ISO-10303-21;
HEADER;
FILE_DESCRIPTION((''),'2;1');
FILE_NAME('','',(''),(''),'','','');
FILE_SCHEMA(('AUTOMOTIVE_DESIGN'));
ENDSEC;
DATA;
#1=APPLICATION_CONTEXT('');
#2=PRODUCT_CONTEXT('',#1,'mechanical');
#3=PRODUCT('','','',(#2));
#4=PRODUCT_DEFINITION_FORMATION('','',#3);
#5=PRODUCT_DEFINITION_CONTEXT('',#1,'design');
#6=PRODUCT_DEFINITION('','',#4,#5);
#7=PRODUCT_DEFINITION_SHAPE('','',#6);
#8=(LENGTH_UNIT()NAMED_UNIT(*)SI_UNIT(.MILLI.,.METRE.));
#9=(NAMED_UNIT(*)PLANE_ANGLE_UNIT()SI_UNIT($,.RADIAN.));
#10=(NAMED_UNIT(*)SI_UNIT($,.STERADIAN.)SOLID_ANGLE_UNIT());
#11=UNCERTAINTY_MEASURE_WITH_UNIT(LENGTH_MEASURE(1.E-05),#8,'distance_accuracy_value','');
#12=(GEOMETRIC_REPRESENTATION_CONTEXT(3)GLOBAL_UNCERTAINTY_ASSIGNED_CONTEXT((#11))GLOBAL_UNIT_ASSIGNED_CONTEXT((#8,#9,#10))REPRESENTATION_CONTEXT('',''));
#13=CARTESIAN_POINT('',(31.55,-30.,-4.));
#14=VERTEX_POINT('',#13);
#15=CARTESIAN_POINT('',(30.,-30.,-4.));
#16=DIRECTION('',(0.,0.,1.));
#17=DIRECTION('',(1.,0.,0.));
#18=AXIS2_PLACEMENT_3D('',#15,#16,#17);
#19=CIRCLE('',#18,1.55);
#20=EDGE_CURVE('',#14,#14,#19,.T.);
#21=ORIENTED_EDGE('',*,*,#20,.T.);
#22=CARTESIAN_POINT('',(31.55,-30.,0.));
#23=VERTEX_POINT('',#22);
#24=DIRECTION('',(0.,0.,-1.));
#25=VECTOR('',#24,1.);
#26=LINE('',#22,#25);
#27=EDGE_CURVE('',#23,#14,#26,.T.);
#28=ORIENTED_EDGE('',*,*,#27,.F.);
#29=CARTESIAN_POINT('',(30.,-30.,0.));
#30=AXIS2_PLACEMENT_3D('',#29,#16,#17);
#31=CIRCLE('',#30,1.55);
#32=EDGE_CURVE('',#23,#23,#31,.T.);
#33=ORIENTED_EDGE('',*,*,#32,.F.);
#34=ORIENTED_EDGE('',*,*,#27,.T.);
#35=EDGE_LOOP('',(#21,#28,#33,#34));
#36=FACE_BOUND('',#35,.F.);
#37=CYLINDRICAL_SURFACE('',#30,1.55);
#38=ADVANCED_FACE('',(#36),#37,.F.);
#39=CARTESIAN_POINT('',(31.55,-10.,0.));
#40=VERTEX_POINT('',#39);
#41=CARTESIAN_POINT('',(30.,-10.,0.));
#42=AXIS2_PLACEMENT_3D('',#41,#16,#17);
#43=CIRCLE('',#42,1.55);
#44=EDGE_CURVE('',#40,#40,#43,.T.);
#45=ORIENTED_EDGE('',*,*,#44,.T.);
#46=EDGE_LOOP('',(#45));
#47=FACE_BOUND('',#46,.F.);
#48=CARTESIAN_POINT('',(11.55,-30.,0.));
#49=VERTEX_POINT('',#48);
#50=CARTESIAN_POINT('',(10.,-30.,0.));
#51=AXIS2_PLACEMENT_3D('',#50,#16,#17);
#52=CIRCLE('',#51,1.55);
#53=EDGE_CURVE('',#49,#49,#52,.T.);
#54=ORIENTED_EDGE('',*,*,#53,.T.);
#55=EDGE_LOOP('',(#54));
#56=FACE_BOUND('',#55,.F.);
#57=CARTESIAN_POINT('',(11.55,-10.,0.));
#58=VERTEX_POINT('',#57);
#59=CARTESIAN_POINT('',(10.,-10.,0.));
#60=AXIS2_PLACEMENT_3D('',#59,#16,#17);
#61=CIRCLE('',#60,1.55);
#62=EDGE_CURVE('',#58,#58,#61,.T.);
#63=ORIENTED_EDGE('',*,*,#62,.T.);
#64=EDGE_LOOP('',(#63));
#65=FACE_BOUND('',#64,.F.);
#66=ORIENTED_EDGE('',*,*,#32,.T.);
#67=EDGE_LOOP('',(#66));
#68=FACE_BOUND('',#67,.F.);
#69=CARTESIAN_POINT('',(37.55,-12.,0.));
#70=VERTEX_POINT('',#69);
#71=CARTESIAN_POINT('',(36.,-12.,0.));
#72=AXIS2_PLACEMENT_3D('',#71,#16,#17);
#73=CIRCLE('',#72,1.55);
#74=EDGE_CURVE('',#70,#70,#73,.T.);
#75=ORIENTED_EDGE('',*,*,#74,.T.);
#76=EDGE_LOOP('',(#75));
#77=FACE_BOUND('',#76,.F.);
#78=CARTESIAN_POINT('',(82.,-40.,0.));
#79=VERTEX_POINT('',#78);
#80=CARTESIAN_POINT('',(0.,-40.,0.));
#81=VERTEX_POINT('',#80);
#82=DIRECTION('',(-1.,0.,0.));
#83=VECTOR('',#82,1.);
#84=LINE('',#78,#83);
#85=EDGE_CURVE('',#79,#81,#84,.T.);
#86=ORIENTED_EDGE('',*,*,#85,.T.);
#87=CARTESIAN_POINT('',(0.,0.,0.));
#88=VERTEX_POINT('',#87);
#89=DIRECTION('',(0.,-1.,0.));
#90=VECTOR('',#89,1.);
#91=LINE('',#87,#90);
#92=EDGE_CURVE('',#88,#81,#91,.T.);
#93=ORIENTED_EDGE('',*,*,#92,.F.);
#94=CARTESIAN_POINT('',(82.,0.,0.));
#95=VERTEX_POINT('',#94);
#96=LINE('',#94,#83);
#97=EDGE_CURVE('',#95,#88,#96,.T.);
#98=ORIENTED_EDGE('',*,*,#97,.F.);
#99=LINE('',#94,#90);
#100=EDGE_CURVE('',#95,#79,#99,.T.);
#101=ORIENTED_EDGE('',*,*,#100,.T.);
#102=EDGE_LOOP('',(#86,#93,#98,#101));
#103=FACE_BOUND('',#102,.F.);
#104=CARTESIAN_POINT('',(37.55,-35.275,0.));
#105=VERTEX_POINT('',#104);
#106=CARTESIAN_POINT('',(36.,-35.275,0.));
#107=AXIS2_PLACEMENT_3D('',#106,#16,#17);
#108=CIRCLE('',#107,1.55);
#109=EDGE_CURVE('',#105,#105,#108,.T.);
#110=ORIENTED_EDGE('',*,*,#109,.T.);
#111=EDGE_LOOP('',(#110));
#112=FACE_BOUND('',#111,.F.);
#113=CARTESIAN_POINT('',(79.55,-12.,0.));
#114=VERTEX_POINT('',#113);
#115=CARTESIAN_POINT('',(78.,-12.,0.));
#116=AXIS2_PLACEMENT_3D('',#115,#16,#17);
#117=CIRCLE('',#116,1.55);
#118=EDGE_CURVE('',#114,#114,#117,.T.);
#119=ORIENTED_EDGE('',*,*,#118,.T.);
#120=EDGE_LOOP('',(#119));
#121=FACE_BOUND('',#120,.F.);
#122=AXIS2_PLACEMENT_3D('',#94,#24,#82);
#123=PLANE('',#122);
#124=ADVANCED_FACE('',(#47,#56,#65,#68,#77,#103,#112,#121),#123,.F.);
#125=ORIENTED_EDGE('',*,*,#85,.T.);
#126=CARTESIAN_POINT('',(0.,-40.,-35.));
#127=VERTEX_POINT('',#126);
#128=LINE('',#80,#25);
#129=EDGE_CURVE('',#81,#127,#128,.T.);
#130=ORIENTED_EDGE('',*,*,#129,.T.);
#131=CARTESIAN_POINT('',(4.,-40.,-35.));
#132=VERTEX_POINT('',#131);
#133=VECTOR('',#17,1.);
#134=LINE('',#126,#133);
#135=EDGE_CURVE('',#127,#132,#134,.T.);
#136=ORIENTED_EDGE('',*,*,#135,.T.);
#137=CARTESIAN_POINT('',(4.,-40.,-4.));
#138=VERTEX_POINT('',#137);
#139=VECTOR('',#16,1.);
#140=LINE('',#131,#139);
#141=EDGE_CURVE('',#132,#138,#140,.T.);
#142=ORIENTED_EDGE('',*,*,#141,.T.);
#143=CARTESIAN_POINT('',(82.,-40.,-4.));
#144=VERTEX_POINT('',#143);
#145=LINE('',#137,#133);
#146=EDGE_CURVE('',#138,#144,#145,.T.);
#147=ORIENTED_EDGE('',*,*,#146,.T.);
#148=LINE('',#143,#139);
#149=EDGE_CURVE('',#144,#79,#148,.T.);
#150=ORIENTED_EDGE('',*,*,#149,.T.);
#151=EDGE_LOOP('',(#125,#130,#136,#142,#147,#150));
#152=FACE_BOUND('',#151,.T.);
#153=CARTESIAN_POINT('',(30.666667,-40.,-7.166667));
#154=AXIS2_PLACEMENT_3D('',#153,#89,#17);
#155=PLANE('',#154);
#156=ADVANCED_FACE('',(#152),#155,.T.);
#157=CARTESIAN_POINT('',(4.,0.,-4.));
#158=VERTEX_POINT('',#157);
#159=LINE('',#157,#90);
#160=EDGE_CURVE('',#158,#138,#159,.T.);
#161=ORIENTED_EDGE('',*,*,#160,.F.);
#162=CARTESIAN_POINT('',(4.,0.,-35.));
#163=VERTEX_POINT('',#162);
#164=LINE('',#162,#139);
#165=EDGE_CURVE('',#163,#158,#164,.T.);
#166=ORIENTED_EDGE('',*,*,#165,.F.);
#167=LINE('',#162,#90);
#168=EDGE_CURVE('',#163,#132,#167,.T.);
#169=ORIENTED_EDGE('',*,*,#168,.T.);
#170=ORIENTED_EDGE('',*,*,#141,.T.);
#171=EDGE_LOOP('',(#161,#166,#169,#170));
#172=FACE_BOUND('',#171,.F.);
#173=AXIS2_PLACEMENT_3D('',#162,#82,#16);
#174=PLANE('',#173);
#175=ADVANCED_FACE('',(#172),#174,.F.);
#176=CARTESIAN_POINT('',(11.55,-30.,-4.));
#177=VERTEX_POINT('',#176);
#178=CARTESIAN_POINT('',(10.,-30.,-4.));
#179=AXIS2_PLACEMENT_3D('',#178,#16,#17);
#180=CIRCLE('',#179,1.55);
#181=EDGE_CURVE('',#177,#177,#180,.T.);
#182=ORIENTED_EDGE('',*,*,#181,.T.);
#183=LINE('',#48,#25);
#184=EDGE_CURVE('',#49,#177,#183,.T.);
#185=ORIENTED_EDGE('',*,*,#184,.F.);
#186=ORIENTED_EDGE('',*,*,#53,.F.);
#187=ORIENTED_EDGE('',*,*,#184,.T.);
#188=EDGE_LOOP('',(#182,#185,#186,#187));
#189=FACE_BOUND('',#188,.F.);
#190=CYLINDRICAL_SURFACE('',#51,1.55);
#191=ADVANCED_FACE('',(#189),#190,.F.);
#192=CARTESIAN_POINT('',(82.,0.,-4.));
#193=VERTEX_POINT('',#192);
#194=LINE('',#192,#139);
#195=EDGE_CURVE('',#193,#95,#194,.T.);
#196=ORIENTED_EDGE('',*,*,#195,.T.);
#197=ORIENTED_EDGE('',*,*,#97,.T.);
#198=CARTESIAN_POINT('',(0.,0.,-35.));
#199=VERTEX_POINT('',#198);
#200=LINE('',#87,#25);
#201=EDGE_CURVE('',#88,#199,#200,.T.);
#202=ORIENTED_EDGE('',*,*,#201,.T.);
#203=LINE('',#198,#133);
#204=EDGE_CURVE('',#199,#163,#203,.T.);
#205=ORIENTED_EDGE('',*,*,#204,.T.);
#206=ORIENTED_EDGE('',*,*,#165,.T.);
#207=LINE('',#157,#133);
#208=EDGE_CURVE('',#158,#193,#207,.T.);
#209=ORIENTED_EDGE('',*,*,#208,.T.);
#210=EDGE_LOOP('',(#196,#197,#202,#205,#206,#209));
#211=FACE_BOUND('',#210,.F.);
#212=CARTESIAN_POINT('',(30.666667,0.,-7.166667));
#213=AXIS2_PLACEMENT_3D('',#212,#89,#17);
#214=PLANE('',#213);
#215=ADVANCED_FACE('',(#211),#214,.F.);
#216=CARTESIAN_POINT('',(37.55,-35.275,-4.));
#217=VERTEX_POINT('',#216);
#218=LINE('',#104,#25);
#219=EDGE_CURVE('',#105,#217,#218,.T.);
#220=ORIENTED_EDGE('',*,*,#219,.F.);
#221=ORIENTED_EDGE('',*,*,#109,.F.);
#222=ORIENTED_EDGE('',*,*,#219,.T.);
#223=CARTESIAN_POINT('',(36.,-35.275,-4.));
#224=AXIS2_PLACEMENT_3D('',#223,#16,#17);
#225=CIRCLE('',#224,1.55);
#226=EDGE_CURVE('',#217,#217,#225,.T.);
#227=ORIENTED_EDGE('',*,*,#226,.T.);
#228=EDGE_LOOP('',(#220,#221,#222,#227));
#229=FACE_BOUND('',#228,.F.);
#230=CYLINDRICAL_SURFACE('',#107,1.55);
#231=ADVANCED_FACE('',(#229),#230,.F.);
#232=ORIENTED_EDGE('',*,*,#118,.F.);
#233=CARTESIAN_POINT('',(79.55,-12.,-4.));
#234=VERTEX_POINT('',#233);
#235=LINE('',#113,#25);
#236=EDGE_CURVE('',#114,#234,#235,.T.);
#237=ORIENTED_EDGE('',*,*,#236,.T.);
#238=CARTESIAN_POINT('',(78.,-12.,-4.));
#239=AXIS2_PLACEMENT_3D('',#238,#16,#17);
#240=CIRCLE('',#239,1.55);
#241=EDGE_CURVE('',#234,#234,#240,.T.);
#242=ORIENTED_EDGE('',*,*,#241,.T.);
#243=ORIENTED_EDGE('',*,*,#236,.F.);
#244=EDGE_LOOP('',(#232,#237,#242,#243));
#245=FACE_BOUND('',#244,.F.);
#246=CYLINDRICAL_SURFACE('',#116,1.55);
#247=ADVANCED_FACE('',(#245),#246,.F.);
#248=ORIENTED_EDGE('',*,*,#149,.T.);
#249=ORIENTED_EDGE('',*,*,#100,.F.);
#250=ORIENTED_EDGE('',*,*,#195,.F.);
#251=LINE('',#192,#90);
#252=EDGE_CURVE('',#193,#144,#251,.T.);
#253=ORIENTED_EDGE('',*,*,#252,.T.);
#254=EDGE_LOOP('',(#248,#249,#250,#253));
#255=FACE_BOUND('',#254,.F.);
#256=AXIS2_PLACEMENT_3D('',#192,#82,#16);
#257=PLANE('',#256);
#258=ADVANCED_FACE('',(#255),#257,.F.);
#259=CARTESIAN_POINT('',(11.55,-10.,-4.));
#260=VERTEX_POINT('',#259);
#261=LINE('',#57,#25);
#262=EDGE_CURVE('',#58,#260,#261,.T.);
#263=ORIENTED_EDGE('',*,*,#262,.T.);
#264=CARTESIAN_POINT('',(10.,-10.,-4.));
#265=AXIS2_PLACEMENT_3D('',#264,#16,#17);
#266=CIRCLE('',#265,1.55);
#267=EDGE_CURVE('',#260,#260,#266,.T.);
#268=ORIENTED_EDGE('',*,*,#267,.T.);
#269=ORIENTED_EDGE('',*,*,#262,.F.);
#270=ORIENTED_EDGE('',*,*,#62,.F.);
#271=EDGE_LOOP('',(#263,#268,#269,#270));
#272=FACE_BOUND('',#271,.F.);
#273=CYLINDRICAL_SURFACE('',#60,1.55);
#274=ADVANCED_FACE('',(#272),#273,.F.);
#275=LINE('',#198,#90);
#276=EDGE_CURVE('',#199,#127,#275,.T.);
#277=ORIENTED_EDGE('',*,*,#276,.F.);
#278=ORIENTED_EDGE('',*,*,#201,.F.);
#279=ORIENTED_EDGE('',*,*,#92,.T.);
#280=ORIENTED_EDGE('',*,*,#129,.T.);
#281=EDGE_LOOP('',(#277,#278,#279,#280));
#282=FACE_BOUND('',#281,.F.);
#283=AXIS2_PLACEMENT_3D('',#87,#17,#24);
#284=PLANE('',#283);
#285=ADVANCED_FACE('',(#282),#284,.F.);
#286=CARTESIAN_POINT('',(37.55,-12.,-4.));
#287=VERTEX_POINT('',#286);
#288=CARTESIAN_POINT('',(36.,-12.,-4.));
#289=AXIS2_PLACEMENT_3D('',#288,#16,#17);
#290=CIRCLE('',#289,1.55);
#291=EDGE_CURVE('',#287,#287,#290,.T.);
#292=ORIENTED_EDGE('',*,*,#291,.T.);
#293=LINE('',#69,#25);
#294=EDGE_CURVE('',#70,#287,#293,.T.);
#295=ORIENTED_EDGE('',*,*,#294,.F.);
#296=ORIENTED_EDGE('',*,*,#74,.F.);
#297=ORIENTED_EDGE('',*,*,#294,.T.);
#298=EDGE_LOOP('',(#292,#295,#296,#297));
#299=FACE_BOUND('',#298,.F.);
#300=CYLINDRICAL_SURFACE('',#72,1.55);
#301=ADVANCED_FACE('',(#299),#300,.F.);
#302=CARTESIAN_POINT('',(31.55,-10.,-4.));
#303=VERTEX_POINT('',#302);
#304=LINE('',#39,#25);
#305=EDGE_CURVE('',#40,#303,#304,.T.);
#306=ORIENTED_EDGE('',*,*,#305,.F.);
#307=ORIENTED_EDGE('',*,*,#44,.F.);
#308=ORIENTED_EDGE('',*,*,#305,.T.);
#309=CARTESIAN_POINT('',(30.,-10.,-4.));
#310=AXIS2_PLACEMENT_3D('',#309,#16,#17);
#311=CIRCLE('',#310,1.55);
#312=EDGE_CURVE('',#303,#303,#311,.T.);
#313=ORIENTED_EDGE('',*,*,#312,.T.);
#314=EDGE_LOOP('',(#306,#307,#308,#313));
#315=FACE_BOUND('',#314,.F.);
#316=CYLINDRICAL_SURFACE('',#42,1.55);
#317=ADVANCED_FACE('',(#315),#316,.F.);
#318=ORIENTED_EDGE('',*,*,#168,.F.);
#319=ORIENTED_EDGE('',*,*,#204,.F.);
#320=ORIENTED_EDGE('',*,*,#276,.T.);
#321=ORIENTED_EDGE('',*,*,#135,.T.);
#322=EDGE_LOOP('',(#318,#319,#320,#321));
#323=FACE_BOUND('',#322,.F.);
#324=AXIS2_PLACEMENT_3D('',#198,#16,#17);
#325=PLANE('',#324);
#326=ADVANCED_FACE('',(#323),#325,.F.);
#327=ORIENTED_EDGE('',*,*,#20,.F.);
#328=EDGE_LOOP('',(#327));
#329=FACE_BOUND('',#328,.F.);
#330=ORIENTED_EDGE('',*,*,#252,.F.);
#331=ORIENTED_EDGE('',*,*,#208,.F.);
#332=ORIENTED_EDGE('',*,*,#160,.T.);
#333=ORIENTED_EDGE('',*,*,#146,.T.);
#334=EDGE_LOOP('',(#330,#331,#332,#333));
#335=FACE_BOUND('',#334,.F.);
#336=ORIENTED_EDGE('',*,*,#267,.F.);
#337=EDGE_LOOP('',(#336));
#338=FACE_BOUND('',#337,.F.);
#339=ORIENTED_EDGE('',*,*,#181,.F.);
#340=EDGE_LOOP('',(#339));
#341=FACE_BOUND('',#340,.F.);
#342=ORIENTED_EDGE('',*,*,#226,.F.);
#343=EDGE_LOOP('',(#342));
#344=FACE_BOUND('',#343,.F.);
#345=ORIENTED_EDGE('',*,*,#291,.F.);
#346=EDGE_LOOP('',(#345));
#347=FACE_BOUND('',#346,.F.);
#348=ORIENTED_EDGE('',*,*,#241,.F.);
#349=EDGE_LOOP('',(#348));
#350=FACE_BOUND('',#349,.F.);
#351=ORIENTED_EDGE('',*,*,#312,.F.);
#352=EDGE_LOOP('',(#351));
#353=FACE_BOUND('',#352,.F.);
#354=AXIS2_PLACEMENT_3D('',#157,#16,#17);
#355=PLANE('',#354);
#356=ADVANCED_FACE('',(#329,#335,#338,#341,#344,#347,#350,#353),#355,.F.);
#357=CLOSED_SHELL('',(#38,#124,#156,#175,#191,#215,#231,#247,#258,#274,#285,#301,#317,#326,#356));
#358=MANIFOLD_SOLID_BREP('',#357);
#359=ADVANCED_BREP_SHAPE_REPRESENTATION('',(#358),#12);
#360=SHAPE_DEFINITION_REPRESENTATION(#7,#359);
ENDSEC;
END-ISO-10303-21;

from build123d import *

# Parameters (mm, degrees)
F1_DEPTH = 40
F2_R     = 1.55
F3_DEPTH = 4


with BuildPart() as f1:
    # F0 (on Front) → F1 (new body)
    with BuildSketch(Plane.XZ):
        Polygon((82, 0), (0, 0), (0, -35), (4, -35), (4, -4), (82, -4), align=None)
    extrude(amount=F1_DEPTH)

    # F2 (on face) → F3 (cut, through all)
    with BuildSketch(Plane.XY):
        with Locations((30, -10)):
            Circle(F2_R)
        with Locations((10, -10)):
            Circle(F2_R)
        with Locations((10, -30)):
            Circle(F2_R)
        with Locations((30, -30)):
            Circle(F2_R)
        with Locations((36, -35.275)):
            Circle(F2_R)
        with Locations((36, -12)):
            Circle(F2_R)
        with Locations((78, -12)):
            Circle(F2_R)
    extrude(amount=-F3_DEPTH, mode=Mode.SUBTRACT)


solid = f1.part
